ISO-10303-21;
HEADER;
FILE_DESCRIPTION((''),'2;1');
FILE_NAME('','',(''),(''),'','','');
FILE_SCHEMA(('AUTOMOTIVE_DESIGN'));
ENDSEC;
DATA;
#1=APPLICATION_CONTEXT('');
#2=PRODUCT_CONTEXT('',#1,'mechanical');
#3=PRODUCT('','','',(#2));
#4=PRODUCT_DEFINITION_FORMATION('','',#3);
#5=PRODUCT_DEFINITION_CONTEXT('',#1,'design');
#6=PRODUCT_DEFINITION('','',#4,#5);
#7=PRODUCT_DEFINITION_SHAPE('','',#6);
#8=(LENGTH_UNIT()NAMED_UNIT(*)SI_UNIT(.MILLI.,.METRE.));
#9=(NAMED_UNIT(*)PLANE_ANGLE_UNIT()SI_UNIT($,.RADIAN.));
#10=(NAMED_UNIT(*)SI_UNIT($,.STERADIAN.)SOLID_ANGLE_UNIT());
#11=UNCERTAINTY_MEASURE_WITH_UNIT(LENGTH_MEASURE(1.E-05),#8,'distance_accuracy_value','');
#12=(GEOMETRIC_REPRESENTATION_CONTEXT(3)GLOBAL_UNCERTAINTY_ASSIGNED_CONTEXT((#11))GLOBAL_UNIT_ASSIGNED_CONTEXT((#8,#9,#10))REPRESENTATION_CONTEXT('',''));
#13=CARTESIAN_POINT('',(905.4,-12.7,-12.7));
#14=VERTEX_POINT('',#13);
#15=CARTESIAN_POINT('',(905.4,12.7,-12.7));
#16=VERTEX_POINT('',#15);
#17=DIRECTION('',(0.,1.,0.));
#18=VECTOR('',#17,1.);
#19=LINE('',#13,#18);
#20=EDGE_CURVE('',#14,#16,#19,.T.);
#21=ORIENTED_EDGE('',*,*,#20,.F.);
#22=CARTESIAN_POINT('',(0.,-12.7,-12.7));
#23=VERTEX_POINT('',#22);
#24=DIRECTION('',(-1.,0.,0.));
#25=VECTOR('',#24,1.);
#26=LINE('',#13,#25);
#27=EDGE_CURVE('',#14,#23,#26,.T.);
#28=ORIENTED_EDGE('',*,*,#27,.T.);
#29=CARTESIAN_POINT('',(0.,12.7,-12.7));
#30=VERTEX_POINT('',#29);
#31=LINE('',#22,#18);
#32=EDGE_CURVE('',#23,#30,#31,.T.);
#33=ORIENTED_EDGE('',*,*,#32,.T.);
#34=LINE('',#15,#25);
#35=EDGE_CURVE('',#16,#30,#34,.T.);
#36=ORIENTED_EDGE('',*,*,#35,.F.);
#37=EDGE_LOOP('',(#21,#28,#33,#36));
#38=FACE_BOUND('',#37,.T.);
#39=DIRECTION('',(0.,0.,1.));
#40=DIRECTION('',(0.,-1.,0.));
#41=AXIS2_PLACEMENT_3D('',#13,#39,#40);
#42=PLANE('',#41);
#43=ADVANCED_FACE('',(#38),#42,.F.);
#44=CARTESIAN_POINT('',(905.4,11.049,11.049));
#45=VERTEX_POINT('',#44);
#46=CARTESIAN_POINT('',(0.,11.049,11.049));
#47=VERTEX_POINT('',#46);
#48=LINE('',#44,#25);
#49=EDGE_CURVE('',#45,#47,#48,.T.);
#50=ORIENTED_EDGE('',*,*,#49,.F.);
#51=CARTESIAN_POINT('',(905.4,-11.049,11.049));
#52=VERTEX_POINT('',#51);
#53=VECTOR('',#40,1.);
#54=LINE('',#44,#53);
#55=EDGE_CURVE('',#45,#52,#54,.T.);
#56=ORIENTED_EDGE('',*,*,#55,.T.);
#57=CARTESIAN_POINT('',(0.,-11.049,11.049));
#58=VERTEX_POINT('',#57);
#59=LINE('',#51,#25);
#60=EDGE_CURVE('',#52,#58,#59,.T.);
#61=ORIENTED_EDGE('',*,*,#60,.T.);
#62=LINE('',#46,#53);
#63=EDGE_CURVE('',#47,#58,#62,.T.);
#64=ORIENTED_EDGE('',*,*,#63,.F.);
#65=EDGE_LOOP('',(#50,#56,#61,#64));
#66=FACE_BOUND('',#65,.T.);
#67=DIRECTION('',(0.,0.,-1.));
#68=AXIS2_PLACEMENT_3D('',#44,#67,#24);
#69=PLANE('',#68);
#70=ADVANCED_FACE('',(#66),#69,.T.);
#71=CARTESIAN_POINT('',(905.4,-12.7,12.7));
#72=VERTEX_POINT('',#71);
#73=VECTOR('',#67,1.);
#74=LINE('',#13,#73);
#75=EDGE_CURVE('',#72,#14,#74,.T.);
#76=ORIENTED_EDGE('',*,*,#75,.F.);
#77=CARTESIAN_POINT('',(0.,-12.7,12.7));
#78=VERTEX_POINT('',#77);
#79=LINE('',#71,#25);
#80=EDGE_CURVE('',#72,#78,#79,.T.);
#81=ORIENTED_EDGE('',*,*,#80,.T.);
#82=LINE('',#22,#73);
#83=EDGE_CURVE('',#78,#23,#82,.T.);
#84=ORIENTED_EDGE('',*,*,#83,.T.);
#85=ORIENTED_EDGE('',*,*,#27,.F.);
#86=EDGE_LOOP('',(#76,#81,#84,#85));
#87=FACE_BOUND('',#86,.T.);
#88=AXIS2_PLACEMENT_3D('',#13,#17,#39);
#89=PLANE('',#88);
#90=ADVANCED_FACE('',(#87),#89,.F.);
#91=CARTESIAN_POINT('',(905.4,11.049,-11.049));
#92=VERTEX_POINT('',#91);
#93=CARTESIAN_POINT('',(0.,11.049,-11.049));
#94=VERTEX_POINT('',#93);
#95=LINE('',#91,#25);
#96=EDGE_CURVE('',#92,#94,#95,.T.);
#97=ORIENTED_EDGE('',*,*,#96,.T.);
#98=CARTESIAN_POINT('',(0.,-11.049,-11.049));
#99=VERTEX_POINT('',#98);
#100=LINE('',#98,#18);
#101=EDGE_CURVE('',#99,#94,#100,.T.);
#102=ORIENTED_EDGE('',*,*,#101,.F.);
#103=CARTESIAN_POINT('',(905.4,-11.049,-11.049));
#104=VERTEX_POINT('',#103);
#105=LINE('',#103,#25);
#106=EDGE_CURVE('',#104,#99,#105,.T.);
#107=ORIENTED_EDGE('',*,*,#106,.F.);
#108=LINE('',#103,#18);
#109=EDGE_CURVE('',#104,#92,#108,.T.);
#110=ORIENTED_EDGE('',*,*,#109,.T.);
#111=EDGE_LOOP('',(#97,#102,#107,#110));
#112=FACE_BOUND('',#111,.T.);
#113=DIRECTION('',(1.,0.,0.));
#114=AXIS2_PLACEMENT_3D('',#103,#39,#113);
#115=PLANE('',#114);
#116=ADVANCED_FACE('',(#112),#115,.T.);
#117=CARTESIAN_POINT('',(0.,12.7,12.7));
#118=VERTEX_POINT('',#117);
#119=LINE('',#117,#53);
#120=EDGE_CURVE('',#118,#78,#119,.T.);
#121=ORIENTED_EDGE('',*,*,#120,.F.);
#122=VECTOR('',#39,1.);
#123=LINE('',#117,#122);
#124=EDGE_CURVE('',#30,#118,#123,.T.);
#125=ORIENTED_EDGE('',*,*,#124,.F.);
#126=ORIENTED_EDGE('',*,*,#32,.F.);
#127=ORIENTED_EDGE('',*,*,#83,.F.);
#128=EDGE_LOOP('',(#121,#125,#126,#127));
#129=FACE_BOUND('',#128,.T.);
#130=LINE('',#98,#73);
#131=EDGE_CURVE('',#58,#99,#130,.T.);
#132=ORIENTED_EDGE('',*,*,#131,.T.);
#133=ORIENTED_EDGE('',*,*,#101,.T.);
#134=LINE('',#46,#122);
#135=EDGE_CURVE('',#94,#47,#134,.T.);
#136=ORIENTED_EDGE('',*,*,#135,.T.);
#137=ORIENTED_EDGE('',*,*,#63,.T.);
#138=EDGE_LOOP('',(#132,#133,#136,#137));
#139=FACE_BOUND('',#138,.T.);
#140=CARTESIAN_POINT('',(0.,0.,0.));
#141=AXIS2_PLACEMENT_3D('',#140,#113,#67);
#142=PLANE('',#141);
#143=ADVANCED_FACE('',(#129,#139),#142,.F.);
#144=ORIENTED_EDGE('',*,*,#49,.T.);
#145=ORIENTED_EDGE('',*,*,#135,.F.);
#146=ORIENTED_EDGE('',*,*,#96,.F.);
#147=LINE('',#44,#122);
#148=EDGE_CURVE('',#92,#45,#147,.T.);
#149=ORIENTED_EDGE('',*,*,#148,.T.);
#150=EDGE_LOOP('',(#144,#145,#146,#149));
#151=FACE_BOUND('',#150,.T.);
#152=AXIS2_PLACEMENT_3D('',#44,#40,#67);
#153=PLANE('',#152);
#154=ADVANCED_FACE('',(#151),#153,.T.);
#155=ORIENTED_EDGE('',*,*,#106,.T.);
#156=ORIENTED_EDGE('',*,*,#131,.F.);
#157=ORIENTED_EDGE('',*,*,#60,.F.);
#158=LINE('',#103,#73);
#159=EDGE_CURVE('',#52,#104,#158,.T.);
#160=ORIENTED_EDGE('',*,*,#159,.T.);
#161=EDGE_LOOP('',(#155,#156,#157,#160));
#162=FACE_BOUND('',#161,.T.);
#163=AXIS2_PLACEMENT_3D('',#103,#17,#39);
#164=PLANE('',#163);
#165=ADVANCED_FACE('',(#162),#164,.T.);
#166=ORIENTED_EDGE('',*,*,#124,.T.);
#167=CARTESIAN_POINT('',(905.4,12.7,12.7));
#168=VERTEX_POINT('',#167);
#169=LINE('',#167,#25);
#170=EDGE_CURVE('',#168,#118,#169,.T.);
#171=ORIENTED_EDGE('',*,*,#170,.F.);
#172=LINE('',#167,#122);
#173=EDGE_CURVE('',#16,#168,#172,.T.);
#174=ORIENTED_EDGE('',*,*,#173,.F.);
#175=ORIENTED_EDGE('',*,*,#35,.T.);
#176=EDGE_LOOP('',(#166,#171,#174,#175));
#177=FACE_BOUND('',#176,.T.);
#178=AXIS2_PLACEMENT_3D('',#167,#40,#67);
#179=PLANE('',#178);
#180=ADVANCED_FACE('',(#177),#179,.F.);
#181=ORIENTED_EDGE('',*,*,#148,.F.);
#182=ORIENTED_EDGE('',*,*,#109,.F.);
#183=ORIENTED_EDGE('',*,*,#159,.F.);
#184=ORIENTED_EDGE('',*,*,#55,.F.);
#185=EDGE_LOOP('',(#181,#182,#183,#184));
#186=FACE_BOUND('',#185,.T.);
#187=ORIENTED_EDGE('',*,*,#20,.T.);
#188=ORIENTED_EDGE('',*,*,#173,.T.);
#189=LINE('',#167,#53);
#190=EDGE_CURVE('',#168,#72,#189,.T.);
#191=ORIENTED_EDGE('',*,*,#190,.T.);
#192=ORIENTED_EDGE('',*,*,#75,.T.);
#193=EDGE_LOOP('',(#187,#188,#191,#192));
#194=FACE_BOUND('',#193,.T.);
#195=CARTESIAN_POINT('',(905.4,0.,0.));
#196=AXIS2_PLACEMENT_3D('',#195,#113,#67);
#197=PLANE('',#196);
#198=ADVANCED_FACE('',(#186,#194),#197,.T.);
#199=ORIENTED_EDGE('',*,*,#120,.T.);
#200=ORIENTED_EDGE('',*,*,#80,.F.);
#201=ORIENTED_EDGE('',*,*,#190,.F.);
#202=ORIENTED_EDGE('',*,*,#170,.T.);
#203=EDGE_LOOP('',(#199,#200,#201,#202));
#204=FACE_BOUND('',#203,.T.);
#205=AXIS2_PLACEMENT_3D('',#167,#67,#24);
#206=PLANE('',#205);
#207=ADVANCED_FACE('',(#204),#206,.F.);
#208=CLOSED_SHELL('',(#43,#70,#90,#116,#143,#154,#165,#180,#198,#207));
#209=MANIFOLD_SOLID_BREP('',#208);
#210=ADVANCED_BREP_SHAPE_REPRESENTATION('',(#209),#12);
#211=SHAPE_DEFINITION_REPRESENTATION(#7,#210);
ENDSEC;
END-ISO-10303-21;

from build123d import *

# Parameters (mm, degrees)
SKETCH13_W                                     = 25.4
SKETCH13_H                                     = 25.4
SKETCH13_W_2                                   = 22.098
SKETCH13_H_2                                   = 22.098
AL_TUBE_SQUARE_AL_TUBE_1_SQR_X_0_065_WAL_DEPTH = 905.4


with BuildPart() as part:
    # Sketch13 → Al tube square AL TUBE 1 SQR X 0.065 WALL(1) (new body)
    with BuildSketch(Plane.YZ):
        Rectangle(SKETCH13_W, SKETCH13_H)
        Rectangle(SKETCH13_W_2, SKETCH13_H_2, mode=Mode.SUBTRACT)
    extrude(amount=AL_TUBE_SQUARE_AL_TUBE_1_SQR_X_0_065_WAL_DEPTH)


solid = part.part
